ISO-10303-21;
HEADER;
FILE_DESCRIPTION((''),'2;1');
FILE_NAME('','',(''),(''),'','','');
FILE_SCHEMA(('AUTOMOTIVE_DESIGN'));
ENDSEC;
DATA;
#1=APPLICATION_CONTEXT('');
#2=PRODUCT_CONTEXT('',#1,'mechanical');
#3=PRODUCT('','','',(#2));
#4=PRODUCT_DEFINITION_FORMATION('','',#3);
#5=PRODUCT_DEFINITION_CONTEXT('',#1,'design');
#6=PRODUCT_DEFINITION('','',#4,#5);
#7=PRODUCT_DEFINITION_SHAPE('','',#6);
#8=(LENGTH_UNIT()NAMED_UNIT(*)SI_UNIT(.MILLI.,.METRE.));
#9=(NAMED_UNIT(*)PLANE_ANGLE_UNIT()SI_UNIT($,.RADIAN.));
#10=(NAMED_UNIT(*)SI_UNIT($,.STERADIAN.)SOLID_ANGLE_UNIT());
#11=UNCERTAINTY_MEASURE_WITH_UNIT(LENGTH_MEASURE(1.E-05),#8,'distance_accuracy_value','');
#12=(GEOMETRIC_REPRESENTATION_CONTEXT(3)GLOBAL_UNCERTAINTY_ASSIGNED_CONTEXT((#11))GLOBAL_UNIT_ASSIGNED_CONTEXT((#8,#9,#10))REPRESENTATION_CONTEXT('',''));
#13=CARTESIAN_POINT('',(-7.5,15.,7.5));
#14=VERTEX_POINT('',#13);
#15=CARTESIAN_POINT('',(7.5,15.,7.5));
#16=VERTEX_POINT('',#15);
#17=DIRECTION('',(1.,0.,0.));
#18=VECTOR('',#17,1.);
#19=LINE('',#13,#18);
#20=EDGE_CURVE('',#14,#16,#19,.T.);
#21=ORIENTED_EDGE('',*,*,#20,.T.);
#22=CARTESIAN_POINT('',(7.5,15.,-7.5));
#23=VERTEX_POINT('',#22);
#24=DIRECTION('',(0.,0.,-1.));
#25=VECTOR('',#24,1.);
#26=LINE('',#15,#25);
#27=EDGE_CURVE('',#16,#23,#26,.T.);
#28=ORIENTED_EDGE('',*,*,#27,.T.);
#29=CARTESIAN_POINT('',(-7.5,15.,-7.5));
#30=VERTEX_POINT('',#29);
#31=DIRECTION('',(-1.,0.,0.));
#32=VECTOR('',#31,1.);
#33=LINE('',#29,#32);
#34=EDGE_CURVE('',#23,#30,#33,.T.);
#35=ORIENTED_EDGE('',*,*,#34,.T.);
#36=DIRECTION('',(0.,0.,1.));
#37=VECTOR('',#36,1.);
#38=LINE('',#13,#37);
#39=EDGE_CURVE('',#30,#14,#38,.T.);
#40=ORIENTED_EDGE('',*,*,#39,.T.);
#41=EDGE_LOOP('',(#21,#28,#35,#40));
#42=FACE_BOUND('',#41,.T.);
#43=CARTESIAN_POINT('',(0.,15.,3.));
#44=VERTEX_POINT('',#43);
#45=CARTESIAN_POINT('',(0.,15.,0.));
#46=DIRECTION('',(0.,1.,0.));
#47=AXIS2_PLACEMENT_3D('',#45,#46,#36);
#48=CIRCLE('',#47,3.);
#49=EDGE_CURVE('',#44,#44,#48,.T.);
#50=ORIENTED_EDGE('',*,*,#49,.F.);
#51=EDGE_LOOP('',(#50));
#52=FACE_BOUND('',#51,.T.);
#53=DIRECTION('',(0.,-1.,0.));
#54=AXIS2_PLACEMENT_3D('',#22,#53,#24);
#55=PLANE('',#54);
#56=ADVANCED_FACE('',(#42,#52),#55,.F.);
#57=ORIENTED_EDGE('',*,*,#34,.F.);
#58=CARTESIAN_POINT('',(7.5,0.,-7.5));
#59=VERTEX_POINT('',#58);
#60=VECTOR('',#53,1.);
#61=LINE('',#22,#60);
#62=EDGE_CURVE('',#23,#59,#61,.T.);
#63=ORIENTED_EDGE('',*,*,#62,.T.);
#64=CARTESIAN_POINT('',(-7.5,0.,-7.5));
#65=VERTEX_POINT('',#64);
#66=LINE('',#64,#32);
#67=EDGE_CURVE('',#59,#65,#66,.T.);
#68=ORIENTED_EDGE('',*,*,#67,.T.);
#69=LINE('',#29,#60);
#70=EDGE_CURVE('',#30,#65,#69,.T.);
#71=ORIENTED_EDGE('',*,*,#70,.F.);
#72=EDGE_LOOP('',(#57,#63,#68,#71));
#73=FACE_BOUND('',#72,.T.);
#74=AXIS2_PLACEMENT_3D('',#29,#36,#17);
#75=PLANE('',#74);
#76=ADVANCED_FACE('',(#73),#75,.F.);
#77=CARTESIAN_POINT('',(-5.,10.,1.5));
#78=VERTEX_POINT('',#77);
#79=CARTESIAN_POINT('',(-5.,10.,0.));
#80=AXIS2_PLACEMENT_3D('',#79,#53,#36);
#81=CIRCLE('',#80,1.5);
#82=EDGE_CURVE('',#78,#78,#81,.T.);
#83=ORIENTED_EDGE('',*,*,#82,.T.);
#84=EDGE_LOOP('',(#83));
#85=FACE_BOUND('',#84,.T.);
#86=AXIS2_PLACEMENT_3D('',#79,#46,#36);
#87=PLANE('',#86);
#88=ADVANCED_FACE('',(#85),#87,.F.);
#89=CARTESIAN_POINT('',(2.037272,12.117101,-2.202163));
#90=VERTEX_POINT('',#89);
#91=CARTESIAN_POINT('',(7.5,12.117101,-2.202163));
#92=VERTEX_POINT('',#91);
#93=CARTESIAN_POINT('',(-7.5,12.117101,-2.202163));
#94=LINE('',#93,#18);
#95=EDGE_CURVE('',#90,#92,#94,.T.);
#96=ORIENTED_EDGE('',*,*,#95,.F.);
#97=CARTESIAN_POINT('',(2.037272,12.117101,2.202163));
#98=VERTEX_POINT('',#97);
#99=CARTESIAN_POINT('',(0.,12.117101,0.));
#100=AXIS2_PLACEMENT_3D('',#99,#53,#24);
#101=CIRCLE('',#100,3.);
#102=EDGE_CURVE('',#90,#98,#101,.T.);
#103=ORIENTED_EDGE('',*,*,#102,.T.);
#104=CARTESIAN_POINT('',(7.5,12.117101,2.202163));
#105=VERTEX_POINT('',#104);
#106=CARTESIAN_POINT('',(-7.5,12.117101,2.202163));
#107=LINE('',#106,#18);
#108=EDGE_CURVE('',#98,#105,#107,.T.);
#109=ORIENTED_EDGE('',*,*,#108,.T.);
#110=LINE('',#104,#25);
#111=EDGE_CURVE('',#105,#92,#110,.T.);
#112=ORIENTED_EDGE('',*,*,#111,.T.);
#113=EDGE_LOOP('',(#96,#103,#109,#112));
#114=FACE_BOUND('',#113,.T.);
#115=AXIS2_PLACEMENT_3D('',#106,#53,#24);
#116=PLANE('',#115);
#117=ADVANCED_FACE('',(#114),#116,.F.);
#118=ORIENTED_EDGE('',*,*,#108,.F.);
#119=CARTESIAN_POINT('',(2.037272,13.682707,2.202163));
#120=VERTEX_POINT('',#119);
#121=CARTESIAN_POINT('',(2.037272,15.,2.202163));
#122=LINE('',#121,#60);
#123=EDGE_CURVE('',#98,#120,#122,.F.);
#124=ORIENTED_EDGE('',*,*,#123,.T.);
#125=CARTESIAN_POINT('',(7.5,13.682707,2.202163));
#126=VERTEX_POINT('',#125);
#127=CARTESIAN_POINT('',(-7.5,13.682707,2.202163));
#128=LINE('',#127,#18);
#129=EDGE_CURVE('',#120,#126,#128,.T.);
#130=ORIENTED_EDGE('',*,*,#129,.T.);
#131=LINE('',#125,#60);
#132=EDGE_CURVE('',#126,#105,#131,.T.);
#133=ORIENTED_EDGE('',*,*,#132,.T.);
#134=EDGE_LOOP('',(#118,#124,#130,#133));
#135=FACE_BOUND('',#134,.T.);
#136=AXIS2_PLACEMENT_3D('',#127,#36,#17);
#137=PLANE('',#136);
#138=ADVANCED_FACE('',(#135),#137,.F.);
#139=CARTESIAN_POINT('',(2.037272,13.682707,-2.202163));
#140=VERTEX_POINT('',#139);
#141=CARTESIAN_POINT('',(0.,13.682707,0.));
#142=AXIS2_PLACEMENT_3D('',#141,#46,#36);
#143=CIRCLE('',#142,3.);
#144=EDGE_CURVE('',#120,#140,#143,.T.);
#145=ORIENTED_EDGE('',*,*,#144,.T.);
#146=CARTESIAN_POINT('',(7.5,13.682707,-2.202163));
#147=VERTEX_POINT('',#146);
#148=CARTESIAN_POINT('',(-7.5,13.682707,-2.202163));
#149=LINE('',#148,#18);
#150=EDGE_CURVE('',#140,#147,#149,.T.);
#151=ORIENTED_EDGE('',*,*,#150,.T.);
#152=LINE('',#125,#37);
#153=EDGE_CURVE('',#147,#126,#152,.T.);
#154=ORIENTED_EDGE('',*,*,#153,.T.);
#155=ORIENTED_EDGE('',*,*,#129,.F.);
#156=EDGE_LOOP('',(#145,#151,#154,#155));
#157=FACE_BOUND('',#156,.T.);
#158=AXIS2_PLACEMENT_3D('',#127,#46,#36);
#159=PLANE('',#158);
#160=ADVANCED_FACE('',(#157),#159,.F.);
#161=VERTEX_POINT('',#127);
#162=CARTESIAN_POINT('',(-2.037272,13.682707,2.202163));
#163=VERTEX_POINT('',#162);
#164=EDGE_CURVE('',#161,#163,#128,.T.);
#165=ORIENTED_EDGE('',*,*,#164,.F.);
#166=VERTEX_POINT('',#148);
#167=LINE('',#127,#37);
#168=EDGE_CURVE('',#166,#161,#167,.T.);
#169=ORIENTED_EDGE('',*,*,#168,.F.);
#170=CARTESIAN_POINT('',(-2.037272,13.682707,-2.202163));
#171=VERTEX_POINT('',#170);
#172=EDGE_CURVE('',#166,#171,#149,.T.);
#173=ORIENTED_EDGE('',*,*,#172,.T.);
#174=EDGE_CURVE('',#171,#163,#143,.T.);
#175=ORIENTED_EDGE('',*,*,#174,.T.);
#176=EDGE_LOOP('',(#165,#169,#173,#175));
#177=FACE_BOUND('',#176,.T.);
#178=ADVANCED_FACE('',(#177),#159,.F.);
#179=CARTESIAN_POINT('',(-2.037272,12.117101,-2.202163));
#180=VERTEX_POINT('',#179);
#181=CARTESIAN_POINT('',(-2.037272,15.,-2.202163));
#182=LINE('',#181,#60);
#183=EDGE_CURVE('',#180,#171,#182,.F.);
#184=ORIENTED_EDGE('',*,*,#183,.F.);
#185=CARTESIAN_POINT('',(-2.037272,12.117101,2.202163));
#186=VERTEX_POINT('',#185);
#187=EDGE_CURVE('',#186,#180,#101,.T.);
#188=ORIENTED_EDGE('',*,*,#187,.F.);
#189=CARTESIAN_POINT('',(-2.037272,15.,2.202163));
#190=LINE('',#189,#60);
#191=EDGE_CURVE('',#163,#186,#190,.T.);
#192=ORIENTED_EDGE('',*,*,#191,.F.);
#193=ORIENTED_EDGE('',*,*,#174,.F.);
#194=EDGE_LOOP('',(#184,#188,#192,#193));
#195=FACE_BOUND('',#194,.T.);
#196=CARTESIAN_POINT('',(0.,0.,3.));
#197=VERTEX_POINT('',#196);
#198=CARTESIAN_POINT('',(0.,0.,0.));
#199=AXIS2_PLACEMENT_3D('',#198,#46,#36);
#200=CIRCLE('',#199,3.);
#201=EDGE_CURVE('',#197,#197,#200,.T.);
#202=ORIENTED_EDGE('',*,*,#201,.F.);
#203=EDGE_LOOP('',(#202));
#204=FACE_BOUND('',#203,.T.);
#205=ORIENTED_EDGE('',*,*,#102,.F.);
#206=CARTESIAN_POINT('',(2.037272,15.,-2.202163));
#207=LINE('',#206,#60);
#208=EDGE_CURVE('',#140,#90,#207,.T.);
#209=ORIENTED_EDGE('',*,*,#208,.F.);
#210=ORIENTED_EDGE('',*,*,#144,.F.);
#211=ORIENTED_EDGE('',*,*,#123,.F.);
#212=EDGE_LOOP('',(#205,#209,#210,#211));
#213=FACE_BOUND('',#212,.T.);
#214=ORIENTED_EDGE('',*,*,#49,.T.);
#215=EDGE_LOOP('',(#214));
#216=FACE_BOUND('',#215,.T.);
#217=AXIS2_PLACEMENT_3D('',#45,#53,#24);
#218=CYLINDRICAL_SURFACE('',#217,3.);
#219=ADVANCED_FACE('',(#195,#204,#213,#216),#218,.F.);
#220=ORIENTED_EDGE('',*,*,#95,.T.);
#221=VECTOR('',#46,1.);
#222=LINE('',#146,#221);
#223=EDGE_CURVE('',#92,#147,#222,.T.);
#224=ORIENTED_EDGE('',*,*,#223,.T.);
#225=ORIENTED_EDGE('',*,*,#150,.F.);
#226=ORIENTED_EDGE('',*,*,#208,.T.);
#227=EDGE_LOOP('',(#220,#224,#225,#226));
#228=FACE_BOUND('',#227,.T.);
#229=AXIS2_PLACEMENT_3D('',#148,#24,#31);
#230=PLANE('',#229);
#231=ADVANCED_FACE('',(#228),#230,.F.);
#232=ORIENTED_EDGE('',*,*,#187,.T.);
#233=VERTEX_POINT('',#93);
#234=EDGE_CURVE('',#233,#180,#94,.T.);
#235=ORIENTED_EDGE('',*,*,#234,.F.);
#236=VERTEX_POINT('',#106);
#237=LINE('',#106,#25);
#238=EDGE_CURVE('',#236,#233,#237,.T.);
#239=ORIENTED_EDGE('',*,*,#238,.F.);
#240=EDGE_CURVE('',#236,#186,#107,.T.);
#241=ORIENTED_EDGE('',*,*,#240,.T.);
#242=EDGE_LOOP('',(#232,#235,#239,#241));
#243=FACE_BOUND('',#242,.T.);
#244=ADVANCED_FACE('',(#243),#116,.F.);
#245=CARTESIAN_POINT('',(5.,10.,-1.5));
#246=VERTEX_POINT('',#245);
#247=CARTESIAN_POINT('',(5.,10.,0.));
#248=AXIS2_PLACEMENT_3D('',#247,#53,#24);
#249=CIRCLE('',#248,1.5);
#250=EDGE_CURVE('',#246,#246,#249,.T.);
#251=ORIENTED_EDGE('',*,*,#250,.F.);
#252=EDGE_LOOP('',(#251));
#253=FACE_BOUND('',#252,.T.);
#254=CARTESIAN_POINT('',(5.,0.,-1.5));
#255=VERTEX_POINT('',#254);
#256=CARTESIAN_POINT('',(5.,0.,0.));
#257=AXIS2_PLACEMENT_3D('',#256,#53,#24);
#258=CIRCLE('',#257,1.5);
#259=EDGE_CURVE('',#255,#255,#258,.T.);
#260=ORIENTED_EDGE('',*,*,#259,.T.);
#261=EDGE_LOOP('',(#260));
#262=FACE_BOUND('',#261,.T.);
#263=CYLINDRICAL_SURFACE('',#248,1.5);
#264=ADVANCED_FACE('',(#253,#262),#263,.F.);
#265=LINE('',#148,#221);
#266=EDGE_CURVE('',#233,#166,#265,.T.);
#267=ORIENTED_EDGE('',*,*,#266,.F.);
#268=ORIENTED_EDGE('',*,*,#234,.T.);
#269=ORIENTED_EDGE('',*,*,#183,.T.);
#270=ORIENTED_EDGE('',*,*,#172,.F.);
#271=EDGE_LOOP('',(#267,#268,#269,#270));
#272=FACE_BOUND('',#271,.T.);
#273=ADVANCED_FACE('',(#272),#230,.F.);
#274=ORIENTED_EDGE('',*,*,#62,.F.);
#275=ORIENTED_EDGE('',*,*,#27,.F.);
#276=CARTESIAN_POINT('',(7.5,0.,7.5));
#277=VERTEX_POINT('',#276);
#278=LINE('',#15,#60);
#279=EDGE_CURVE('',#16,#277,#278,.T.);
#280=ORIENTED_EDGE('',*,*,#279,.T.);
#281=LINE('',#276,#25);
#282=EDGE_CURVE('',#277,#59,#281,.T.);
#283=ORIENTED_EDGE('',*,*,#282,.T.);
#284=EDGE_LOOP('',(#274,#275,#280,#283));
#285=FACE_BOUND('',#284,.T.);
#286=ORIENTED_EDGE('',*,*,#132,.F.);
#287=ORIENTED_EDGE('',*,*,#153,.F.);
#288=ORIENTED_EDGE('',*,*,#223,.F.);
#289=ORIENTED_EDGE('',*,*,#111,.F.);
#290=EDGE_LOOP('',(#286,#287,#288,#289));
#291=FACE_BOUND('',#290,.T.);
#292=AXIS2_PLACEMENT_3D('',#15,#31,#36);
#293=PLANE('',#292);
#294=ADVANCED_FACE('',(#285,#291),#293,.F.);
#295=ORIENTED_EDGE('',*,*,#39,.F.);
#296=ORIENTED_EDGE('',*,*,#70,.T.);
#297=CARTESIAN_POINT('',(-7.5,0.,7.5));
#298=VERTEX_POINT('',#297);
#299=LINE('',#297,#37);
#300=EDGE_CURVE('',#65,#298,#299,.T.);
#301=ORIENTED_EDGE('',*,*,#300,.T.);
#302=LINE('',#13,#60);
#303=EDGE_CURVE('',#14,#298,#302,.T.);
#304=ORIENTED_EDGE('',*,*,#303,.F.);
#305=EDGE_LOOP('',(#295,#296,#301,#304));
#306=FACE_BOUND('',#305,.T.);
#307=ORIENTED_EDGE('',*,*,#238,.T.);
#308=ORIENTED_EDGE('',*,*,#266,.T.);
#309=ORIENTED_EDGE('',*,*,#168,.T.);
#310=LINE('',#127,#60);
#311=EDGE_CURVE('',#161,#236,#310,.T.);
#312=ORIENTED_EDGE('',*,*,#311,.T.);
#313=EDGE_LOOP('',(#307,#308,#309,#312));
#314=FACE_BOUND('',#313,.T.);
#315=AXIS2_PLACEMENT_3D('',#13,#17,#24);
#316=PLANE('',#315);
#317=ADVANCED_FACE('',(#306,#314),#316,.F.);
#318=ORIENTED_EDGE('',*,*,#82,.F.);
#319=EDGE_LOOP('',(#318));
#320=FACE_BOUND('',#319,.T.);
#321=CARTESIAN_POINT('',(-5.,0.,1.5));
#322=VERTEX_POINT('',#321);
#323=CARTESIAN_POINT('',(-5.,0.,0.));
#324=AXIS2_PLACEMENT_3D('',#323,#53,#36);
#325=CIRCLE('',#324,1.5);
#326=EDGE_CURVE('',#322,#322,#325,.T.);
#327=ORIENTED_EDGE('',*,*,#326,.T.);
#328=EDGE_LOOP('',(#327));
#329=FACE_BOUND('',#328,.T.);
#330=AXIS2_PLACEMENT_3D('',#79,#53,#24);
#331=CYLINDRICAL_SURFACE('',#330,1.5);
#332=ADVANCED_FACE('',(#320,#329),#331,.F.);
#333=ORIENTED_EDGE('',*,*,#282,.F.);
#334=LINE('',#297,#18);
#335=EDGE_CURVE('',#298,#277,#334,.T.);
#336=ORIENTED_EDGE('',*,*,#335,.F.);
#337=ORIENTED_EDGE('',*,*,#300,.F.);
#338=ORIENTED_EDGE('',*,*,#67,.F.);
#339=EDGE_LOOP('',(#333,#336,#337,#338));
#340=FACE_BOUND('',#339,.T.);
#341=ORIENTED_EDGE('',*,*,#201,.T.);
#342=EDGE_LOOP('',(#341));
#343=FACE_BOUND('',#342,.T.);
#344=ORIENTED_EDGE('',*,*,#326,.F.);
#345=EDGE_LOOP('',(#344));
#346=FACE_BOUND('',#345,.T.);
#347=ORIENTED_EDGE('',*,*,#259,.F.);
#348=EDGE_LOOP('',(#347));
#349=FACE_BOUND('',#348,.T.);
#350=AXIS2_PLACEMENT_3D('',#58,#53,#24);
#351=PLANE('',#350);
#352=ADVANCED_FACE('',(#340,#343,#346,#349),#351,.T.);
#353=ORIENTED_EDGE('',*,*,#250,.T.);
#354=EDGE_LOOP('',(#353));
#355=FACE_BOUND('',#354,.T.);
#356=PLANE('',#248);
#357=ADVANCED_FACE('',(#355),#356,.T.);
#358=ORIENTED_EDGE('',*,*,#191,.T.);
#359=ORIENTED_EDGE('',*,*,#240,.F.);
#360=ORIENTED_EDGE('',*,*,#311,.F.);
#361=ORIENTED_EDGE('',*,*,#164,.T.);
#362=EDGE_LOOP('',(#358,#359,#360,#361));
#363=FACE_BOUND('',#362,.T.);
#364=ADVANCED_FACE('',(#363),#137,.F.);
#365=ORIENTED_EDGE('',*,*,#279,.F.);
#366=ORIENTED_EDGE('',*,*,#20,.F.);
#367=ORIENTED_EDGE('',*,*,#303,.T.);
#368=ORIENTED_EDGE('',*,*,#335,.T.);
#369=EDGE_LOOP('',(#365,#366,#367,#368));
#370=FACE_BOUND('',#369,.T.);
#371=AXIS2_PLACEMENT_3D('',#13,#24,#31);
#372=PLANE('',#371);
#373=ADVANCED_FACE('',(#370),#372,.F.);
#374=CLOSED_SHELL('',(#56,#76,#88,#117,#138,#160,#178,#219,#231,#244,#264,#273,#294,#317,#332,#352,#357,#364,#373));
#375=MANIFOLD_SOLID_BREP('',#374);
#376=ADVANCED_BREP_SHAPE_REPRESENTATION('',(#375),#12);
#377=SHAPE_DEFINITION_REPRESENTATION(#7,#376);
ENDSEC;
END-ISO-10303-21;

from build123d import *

# Parameters (mm, degrees)
ESQUISSE1_W             = 15
ESQUISSE1_H             = 15
ESQUISSE1_R             = 3
BOSS_EXTRU_1_DEPTH      = 15
ESQUISSE2_W             = 4.404326356
ESQUISSE2_H             = 1.565605919
ENL_V_MAT_EXTRU_1_DEPTH = 15
ESQUISSE3_R             = 1.5
ENL_V_MAT_EXTRU_2_DEPTH = 10


with BuildPart() as part:
    # Esquisse1 → Boss.-Extru.1 (new body)
    with BuildSketch(Plane(origin=(0, 0, 0), x_dir=(1, 0, 0), z_dir=(0, 1, 0))):
        Rectangle(ESQUISSE1_W, ESQUISSE1_H)
        Circle(ESQUISSE1_R, mode=Mode.SUBTRACT)
    extrude(amount=BOSS_EXTRU_1_DEPTH)

    # Esquisse2 → Enlèv. mat.-Extru.1 (cut)
    with BuildSketch(Plane(origin=(7.5, 0, 0), x_dir=(0, 0, -1), z_dir=(1, 0, 0))):
        with Locations((0, 12.899904082)):
            Rectangle(ESQUISSE2_W, ESQUISSE2_H)
    extrude(amount=-ENL_V_MAT_EXTRU_1_DEPTH, mode=Mode.SUBTRACT)

    # Esquisse3 → Enlèv. mat.-Extru.2 (cut)
    with BuildSketch(Plane.XZ):
        with Locations((5, 0)):
            Circle(ESQUISSE3_R)
        with Locations((-5, 0)):
            Circle(ESQUISSE3_R)
    extrude(amount=-ENL_V_MAT_EXTRU_2_DEPTH, mode=Mode.SUBTRACT)


solid = part.part
